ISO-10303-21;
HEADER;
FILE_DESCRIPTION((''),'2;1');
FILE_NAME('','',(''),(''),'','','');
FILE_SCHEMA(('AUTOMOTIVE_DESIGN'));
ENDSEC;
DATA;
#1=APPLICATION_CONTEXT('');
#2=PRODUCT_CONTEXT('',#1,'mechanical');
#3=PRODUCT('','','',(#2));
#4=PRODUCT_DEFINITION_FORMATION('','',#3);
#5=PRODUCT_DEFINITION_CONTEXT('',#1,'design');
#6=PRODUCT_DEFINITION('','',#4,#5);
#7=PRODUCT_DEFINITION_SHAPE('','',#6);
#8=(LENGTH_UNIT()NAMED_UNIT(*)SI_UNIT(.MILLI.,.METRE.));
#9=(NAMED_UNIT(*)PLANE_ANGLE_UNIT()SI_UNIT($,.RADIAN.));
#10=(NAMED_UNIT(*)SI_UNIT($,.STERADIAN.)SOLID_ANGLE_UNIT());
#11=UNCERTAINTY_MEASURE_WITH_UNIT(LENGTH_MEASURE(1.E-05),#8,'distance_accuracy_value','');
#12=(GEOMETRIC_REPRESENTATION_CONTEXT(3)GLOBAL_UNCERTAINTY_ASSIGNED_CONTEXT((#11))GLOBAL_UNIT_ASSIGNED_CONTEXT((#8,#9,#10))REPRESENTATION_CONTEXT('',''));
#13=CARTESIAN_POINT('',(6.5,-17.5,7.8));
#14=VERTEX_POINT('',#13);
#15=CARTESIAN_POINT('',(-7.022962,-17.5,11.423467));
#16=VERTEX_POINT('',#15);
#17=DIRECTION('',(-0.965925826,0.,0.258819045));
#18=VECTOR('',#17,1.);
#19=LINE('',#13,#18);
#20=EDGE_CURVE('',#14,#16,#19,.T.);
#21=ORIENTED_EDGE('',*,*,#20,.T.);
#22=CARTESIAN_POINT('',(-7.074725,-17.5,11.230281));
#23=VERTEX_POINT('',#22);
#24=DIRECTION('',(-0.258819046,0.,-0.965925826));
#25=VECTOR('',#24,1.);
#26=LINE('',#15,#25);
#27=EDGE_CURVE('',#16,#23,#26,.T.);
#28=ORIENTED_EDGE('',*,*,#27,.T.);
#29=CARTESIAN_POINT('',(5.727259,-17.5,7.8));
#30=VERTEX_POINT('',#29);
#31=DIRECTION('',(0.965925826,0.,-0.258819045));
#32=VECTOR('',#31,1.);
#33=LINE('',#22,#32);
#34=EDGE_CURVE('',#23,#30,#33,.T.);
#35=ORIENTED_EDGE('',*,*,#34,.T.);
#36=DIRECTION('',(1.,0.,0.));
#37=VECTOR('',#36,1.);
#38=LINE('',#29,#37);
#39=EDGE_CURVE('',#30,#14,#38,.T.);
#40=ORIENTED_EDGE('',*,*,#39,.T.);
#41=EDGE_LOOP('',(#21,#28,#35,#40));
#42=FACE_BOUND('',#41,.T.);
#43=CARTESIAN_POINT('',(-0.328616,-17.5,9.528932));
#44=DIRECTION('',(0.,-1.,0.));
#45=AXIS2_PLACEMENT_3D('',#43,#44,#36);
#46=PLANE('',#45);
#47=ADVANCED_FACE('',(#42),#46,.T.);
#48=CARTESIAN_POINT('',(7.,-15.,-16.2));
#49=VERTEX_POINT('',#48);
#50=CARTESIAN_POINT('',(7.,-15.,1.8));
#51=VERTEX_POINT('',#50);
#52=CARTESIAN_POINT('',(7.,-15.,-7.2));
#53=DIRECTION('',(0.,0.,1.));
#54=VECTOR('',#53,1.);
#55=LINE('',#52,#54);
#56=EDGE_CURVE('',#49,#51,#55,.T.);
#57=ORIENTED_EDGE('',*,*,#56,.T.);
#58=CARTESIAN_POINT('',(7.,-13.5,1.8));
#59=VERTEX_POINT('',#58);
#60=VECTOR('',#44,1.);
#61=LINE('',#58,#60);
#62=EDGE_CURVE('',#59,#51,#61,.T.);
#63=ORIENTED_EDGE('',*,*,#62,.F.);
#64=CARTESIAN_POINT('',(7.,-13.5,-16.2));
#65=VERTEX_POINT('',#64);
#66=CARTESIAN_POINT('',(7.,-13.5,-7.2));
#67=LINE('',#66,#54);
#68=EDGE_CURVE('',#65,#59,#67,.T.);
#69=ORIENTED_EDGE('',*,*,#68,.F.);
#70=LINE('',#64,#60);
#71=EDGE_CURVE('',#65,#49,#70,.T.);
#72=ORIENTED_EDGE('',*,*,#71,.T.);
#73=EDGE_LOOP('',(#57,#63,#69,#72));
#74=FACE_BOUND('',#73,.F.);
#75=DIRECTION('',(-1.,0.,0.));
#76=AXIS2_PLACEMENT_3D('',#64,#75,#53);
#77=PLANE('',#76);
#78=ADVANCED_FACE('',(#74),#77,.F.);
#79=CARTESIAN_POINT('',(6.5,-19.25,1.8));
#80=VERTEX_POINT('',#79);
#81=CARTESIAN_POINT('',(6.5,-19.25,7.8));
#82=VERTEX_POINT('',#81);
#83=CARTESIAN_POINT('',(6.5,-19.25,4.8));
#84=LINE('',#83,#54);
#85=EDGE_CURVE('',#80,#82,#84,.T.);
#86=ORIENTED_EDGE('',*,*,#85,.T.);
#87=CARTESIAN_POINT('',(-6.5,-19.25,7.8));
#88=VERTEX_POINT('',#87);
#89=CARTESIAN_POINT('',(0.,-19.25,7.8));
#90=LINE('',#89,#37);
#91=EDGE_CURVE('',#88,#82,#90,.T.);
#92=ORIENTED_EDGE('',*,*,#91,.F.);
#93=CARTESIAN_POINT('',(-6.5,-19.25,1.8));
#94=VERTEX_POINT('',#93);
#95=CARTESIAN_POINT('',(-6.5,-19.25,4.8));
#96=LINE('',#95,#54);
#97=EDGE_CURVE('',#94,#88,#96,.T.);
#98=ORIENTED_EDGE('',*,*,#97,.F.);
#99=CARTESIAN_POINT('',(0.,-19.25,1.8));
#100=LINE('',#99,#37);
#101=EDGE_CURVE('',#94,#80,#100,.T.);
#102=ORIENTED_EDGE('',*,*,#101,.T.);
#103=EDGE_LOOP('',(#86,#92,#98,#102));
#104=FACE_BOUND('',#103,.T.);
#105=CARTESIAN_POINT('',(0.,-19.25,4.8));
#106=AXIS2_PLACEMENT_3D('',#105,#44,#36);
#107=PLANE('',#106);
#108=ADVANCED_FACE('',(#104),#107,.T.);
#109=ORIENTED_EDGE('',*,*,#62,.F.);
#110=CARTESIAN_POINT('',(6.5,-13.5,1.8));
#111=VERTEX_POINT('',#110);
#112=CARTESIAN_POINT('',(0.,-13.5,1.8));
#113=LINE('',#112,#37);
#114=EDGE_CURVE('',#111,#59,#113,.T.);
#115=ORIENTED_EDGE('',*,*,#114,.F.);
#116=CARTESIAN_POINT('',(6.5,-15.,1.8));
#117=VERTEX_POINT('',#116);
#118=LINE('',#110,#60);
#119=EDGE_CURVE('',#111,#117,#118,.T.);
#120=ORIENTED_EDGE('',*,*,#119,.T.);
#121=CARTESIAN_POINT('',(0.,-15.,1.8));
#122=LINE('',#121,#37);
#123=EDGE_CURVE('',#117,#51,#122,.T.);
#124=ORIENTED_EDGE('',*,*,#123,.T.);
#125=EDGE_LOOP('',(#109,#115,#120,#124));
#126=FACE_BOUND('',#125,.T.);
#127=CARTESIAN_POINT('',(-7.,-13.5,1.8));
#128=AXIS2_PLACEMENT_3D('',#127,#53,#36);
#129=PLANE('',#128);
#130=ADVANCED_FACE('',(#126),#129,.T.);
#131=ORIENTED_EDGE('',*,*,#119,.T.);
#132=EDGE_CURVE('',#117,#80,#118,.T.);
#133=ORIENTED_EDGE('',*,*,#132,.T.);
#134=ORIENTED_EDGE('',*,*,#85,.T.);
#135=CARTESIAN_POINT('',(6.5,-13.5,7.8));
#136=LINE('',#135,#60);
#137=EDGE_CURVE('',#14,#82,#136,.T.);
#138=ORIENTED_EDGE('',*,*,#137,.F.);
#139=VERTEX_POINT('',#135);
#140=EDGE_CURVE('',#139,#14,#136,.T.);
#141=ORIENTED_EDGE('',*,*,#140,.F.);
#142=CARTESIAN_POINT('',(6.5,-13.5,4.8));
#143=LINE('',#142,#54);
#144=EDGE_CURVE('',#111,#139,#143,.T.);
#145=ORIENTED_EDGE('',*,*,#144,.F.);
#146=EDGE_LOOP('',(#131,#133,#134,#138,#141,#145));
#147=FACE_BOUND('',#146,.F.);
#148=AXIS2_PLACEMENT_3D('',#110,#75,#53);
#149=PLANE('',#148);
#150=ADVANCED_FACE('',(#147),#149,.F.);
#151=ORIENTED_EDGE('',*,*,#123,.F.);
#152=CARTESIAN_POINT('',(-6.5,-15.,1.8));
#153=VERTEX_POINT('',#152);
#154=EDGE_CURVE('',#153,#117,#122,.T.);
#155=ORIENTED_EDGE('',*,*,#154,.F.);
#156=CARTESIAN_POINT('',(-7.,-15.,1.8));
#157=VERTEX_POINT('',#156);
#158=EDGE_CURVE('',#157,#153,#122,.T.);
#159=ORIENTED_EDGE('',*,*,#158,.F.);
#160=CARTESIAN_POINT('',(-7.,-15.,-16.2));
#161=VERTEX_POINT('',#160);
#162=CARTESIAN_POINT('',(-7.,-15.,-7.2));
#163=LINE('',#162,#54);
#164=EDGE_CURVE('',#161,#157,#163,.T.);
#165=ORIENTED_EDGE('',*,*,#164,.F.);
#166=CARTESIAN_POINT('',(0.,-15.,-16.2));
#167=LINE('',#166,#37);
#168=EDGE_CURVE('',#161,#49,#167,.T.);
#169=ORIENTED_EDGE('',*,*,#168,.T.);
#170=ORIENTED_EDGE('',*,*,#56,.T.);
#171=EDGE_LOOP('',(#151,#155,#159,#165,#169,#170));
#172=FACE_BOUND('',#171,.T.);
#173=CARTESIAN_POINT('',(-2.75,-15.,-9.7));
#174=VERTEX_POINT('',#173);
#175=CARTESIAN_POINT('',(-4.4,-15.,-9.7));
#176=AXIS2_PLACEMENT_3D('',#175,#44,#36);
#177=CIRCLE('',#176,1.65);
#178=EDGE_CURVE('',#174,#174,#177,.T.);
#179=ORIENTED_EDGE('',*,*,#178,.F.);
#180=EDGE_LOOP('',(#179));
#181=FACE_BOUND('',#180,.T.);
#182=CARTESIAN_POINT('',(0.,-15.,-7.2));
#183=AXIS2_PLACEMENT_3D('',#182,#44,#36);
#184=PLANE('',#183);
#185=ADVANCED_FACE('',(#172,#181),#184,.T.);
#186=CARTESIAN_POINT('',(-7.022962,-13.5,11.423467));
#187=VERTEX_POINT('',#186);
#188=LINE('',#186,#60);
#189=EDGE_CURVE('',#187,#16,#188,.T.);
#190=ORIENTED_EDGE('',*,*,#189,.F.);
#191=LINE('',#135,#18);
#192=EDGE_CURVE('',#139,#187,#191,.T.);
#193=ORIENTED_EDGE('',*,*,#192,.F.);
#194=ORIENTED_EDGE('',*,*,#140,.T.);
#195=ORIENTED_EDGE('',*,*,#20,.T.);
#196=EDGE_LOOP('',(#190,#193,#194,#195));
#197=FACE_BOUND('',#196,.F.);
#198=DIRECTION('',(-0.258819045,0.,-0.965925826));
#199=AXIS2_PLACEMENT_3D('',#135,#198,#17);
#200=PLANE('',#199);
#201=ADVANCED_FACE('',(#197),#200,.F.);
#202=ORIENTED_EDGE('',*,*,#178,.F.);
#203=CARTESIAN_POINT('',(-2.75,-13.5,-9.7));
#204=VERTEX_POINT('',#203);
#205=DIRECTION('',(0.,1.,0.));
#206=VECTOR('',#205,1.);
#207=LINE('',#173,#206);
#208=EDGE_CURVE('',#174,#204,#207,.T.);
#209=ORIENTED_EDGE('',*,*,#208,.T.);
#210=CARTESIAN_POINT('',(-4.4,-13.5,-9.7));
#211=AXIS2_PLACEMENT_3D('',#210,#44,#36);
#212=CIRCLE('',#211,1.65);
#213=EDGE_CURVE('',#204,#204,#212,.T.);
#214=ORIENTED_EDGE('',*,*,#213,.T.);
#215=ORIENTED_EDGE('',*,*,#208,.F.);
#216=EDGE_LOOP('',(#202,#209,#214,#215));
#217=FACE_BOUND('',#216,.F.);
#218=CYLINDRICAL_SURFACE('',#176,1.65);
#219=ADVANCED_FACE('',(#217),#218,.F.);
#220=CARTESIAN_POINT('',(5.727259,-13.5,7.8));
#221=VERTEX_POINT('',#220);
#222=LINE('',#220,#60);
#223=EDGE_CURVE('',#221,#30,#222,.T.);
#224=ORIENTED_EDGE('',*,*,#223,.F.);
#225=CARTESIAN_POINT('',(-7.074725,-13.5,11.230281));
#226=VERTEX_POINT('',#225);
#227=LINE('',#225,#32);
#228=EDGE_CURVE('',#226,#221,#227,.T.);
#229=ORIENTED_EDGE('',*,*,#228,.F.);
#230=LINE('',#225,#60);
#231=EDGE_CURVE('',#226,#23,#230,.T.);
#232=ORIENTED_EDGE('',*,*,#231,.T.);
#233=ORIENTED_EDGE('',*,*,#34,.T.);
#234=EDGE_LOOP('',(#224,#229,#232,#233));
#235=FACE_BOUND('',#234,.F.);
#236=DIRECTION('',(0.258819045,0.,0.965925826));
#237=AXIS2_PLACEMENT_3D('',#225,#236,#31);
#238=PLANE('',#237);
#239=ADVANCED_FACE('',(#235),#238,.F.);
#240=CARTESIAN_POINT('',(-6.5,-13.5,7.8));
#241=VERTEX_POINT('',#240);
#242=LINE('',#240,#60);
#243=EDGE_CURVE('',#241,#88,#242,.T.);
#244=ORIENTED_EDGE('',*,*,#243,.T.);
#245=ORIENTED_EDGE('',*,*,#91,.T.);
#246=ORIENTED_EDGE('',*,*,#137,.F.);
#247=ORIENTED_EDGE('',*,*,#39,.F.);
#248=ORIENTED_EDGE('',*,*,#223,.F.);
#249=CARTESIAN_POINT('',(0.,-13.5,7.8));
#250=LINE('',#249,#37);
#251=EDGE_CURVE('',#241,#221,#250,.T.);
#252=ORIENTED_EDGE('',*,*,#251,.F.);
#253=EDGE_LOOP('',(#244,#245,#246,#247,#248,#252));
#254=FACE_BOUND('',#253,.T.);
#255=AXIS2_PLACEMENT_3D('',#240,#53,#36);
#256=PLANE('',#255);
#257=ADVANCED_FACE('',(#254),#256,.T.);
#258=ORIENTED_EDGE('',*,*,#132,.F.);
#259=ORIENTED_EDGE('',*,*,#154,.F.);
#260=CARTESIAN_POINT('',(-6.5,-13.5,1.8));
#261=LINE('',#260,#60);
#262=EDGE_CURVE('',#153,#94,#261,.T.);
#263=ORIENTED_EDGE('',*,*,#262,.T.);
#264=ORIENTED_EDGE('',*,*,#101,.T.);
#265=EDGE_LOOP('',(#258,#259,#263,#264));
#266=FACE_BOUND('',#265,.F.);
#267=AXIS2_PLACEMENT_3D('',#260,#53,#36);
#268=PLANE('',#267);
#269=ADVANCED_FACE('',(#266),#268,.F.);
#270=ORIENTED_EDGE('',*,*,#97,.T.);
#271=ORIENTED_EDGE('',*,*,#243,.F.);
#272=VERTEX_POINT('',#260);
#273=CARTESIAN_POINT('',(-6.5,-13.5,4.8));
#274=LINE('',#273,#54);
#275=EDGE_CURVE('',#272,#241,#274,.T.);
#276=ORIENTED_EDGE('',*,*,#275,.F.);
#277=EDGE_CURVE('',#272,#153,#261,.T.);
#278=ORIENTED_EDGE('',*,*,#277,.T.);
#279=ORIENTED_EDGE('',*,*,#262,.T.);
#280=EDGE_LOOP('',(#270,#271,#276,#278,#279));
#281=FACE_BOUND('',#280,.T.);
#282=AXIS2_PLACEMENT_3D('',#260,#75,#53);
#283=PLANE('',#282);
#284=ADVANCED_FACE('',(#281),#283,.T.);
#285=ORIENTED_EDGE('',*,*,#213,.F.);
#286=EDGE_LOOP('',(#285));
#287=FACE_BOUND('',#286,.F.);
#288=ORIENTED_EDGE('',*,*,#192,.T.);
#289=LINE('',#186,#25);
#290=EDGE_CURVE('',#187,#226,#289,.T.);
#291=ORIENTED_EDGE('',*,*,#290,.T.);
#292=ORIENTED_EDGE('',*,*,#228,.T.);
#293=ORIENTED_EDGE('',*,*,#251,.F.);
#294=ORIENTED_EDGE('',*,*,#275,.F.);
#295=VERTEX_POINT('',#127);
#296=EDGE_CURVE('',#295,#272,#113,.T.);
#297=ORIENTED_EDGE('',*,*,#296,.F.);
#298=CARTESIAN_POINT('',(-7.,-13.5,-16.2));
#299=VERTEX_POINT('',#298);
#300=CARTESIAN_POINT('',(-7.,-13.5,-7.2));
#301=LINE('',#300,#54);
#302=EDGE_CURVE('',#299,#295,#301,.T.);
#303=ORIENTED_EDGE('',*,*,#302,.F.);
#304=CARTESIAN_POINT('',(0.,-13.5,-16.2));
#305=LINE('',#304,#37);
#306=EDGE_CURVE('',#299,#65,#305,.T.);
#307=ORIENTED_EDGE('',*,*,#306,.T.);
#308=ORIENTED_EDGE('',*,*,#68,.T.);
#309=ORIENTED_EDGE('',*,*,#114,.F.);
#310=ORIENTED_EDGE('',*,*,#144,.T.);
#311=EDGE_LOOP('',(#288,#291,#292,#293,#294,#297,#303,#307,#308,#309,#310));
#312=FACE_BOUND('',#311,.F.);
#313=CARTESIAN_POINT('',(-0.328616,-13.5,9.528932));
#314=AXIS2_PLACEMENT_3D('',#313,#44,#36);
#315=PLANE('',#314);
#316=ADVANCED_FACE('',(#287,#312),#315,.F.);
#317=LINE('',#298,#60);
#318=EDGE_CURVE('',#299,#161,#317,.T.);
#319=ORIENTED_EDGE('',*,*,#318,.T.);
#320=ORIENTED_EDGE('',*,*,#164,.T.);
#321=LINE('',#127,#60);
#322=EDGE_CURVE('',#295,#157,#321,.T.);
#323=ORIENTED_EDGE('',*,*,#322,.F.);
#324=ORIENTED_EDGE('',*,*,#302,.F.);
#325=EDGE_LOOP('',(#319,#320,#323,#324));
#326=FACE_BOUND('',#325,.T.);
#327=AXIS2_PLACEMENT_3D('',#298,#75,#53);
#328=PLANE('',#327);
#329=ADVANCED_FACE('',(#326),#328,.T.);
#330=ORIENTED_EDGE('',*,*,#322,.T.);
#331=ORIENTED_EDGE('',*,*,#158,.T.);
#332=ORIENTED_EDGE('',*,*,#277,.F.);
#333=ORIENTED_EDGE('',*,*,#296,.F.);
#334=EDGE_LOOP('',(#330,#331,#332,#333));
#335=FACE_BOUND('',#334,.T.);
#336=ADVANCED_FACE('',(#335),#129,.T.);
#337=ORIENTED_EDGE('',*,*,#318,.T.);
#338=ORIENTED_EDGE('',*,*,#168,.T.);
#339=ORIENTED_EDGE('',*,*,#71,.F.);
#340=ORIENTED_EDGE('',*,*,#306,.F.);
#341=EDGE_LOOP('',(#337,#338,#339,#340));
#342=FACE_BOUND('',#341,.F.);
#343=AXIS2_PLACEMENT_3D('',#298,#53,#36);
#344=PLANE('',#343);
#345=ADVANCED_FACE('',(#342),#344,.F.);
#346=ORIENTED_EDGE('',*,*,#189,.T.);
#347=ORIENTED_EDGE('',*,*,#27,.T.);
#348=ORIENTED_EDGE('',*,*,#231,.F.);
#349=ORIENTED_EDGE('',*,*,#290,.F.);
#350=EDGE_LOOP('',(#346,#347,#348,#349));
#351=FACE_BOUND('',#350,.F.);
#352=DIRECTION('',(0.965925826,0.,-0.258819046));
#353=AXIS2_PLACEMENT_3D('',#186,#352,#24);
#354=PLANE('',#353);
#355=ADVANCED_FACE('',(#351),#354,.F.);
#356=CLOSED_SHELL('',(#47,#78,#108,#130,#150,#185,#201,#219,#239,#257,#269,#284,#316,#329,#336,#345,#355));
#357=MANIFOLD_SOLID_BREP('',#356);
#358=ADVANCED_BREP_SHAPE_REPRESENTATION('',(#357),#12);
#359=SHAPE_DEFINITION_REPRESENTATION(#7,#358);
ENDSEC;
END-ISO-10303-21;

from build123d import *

# Parameters (mm, degrees)
F0_W     = 14
F0_H     = 18
F1_DEPTH = 1.5
F2_W     = 13
F2_H     = 6
F3_DEPTH = 5.75
F4_R     = 1.65
F5_DEPTH = 25
F7_DEPTH = 4
F8_ANGLE = -90


with BuildPart() as f1:
    # F0 (on Top) → F1 (new body)
    with BuildSketch(Plane.XY):
        Rectangle(F0_W, F0_H)
    extrude(amount=F1_DEPTH)

    # F2 (on Top) → F3 (join)
    with BuildSketch(Plane.XY):
        with Locations((0, 12)):
            Rectangle(F2_W, F2_H)
    extrude(amount=F3_DEPTH)

    # F4 (on face) → F5 (cut)
    with BuildSketch(Plane.XY.offset(1.5)):
        with Locations((-4.4, -2.5)):
            Circle(F4_R)
    extrude(amount=-F5_DEPTH, mode=Mode.SUBTRACT)

    # F6 (on Top) → F7 (join)
    with BuildSketch(Plane.XY):
        Polygon((5.727259339, 15), (6.5, 15), (-7.022961568, 18.6234666314), (-7.0747253771, 18.4302814662), align=None)
    extrude(amount=F7_DEPTH)


with BuildPart() as f1_1:
    # F8: moved
    add(f1.part.rotate(Axis((0, -9, 1.5), (-1, 0, 0)), F8_ANGLE))


with BuildPart() as f1_2:
    # F9: moved
    add(f1_1.part.moved(Location((0, -6, -17.7))))


solid = f1_2.part
